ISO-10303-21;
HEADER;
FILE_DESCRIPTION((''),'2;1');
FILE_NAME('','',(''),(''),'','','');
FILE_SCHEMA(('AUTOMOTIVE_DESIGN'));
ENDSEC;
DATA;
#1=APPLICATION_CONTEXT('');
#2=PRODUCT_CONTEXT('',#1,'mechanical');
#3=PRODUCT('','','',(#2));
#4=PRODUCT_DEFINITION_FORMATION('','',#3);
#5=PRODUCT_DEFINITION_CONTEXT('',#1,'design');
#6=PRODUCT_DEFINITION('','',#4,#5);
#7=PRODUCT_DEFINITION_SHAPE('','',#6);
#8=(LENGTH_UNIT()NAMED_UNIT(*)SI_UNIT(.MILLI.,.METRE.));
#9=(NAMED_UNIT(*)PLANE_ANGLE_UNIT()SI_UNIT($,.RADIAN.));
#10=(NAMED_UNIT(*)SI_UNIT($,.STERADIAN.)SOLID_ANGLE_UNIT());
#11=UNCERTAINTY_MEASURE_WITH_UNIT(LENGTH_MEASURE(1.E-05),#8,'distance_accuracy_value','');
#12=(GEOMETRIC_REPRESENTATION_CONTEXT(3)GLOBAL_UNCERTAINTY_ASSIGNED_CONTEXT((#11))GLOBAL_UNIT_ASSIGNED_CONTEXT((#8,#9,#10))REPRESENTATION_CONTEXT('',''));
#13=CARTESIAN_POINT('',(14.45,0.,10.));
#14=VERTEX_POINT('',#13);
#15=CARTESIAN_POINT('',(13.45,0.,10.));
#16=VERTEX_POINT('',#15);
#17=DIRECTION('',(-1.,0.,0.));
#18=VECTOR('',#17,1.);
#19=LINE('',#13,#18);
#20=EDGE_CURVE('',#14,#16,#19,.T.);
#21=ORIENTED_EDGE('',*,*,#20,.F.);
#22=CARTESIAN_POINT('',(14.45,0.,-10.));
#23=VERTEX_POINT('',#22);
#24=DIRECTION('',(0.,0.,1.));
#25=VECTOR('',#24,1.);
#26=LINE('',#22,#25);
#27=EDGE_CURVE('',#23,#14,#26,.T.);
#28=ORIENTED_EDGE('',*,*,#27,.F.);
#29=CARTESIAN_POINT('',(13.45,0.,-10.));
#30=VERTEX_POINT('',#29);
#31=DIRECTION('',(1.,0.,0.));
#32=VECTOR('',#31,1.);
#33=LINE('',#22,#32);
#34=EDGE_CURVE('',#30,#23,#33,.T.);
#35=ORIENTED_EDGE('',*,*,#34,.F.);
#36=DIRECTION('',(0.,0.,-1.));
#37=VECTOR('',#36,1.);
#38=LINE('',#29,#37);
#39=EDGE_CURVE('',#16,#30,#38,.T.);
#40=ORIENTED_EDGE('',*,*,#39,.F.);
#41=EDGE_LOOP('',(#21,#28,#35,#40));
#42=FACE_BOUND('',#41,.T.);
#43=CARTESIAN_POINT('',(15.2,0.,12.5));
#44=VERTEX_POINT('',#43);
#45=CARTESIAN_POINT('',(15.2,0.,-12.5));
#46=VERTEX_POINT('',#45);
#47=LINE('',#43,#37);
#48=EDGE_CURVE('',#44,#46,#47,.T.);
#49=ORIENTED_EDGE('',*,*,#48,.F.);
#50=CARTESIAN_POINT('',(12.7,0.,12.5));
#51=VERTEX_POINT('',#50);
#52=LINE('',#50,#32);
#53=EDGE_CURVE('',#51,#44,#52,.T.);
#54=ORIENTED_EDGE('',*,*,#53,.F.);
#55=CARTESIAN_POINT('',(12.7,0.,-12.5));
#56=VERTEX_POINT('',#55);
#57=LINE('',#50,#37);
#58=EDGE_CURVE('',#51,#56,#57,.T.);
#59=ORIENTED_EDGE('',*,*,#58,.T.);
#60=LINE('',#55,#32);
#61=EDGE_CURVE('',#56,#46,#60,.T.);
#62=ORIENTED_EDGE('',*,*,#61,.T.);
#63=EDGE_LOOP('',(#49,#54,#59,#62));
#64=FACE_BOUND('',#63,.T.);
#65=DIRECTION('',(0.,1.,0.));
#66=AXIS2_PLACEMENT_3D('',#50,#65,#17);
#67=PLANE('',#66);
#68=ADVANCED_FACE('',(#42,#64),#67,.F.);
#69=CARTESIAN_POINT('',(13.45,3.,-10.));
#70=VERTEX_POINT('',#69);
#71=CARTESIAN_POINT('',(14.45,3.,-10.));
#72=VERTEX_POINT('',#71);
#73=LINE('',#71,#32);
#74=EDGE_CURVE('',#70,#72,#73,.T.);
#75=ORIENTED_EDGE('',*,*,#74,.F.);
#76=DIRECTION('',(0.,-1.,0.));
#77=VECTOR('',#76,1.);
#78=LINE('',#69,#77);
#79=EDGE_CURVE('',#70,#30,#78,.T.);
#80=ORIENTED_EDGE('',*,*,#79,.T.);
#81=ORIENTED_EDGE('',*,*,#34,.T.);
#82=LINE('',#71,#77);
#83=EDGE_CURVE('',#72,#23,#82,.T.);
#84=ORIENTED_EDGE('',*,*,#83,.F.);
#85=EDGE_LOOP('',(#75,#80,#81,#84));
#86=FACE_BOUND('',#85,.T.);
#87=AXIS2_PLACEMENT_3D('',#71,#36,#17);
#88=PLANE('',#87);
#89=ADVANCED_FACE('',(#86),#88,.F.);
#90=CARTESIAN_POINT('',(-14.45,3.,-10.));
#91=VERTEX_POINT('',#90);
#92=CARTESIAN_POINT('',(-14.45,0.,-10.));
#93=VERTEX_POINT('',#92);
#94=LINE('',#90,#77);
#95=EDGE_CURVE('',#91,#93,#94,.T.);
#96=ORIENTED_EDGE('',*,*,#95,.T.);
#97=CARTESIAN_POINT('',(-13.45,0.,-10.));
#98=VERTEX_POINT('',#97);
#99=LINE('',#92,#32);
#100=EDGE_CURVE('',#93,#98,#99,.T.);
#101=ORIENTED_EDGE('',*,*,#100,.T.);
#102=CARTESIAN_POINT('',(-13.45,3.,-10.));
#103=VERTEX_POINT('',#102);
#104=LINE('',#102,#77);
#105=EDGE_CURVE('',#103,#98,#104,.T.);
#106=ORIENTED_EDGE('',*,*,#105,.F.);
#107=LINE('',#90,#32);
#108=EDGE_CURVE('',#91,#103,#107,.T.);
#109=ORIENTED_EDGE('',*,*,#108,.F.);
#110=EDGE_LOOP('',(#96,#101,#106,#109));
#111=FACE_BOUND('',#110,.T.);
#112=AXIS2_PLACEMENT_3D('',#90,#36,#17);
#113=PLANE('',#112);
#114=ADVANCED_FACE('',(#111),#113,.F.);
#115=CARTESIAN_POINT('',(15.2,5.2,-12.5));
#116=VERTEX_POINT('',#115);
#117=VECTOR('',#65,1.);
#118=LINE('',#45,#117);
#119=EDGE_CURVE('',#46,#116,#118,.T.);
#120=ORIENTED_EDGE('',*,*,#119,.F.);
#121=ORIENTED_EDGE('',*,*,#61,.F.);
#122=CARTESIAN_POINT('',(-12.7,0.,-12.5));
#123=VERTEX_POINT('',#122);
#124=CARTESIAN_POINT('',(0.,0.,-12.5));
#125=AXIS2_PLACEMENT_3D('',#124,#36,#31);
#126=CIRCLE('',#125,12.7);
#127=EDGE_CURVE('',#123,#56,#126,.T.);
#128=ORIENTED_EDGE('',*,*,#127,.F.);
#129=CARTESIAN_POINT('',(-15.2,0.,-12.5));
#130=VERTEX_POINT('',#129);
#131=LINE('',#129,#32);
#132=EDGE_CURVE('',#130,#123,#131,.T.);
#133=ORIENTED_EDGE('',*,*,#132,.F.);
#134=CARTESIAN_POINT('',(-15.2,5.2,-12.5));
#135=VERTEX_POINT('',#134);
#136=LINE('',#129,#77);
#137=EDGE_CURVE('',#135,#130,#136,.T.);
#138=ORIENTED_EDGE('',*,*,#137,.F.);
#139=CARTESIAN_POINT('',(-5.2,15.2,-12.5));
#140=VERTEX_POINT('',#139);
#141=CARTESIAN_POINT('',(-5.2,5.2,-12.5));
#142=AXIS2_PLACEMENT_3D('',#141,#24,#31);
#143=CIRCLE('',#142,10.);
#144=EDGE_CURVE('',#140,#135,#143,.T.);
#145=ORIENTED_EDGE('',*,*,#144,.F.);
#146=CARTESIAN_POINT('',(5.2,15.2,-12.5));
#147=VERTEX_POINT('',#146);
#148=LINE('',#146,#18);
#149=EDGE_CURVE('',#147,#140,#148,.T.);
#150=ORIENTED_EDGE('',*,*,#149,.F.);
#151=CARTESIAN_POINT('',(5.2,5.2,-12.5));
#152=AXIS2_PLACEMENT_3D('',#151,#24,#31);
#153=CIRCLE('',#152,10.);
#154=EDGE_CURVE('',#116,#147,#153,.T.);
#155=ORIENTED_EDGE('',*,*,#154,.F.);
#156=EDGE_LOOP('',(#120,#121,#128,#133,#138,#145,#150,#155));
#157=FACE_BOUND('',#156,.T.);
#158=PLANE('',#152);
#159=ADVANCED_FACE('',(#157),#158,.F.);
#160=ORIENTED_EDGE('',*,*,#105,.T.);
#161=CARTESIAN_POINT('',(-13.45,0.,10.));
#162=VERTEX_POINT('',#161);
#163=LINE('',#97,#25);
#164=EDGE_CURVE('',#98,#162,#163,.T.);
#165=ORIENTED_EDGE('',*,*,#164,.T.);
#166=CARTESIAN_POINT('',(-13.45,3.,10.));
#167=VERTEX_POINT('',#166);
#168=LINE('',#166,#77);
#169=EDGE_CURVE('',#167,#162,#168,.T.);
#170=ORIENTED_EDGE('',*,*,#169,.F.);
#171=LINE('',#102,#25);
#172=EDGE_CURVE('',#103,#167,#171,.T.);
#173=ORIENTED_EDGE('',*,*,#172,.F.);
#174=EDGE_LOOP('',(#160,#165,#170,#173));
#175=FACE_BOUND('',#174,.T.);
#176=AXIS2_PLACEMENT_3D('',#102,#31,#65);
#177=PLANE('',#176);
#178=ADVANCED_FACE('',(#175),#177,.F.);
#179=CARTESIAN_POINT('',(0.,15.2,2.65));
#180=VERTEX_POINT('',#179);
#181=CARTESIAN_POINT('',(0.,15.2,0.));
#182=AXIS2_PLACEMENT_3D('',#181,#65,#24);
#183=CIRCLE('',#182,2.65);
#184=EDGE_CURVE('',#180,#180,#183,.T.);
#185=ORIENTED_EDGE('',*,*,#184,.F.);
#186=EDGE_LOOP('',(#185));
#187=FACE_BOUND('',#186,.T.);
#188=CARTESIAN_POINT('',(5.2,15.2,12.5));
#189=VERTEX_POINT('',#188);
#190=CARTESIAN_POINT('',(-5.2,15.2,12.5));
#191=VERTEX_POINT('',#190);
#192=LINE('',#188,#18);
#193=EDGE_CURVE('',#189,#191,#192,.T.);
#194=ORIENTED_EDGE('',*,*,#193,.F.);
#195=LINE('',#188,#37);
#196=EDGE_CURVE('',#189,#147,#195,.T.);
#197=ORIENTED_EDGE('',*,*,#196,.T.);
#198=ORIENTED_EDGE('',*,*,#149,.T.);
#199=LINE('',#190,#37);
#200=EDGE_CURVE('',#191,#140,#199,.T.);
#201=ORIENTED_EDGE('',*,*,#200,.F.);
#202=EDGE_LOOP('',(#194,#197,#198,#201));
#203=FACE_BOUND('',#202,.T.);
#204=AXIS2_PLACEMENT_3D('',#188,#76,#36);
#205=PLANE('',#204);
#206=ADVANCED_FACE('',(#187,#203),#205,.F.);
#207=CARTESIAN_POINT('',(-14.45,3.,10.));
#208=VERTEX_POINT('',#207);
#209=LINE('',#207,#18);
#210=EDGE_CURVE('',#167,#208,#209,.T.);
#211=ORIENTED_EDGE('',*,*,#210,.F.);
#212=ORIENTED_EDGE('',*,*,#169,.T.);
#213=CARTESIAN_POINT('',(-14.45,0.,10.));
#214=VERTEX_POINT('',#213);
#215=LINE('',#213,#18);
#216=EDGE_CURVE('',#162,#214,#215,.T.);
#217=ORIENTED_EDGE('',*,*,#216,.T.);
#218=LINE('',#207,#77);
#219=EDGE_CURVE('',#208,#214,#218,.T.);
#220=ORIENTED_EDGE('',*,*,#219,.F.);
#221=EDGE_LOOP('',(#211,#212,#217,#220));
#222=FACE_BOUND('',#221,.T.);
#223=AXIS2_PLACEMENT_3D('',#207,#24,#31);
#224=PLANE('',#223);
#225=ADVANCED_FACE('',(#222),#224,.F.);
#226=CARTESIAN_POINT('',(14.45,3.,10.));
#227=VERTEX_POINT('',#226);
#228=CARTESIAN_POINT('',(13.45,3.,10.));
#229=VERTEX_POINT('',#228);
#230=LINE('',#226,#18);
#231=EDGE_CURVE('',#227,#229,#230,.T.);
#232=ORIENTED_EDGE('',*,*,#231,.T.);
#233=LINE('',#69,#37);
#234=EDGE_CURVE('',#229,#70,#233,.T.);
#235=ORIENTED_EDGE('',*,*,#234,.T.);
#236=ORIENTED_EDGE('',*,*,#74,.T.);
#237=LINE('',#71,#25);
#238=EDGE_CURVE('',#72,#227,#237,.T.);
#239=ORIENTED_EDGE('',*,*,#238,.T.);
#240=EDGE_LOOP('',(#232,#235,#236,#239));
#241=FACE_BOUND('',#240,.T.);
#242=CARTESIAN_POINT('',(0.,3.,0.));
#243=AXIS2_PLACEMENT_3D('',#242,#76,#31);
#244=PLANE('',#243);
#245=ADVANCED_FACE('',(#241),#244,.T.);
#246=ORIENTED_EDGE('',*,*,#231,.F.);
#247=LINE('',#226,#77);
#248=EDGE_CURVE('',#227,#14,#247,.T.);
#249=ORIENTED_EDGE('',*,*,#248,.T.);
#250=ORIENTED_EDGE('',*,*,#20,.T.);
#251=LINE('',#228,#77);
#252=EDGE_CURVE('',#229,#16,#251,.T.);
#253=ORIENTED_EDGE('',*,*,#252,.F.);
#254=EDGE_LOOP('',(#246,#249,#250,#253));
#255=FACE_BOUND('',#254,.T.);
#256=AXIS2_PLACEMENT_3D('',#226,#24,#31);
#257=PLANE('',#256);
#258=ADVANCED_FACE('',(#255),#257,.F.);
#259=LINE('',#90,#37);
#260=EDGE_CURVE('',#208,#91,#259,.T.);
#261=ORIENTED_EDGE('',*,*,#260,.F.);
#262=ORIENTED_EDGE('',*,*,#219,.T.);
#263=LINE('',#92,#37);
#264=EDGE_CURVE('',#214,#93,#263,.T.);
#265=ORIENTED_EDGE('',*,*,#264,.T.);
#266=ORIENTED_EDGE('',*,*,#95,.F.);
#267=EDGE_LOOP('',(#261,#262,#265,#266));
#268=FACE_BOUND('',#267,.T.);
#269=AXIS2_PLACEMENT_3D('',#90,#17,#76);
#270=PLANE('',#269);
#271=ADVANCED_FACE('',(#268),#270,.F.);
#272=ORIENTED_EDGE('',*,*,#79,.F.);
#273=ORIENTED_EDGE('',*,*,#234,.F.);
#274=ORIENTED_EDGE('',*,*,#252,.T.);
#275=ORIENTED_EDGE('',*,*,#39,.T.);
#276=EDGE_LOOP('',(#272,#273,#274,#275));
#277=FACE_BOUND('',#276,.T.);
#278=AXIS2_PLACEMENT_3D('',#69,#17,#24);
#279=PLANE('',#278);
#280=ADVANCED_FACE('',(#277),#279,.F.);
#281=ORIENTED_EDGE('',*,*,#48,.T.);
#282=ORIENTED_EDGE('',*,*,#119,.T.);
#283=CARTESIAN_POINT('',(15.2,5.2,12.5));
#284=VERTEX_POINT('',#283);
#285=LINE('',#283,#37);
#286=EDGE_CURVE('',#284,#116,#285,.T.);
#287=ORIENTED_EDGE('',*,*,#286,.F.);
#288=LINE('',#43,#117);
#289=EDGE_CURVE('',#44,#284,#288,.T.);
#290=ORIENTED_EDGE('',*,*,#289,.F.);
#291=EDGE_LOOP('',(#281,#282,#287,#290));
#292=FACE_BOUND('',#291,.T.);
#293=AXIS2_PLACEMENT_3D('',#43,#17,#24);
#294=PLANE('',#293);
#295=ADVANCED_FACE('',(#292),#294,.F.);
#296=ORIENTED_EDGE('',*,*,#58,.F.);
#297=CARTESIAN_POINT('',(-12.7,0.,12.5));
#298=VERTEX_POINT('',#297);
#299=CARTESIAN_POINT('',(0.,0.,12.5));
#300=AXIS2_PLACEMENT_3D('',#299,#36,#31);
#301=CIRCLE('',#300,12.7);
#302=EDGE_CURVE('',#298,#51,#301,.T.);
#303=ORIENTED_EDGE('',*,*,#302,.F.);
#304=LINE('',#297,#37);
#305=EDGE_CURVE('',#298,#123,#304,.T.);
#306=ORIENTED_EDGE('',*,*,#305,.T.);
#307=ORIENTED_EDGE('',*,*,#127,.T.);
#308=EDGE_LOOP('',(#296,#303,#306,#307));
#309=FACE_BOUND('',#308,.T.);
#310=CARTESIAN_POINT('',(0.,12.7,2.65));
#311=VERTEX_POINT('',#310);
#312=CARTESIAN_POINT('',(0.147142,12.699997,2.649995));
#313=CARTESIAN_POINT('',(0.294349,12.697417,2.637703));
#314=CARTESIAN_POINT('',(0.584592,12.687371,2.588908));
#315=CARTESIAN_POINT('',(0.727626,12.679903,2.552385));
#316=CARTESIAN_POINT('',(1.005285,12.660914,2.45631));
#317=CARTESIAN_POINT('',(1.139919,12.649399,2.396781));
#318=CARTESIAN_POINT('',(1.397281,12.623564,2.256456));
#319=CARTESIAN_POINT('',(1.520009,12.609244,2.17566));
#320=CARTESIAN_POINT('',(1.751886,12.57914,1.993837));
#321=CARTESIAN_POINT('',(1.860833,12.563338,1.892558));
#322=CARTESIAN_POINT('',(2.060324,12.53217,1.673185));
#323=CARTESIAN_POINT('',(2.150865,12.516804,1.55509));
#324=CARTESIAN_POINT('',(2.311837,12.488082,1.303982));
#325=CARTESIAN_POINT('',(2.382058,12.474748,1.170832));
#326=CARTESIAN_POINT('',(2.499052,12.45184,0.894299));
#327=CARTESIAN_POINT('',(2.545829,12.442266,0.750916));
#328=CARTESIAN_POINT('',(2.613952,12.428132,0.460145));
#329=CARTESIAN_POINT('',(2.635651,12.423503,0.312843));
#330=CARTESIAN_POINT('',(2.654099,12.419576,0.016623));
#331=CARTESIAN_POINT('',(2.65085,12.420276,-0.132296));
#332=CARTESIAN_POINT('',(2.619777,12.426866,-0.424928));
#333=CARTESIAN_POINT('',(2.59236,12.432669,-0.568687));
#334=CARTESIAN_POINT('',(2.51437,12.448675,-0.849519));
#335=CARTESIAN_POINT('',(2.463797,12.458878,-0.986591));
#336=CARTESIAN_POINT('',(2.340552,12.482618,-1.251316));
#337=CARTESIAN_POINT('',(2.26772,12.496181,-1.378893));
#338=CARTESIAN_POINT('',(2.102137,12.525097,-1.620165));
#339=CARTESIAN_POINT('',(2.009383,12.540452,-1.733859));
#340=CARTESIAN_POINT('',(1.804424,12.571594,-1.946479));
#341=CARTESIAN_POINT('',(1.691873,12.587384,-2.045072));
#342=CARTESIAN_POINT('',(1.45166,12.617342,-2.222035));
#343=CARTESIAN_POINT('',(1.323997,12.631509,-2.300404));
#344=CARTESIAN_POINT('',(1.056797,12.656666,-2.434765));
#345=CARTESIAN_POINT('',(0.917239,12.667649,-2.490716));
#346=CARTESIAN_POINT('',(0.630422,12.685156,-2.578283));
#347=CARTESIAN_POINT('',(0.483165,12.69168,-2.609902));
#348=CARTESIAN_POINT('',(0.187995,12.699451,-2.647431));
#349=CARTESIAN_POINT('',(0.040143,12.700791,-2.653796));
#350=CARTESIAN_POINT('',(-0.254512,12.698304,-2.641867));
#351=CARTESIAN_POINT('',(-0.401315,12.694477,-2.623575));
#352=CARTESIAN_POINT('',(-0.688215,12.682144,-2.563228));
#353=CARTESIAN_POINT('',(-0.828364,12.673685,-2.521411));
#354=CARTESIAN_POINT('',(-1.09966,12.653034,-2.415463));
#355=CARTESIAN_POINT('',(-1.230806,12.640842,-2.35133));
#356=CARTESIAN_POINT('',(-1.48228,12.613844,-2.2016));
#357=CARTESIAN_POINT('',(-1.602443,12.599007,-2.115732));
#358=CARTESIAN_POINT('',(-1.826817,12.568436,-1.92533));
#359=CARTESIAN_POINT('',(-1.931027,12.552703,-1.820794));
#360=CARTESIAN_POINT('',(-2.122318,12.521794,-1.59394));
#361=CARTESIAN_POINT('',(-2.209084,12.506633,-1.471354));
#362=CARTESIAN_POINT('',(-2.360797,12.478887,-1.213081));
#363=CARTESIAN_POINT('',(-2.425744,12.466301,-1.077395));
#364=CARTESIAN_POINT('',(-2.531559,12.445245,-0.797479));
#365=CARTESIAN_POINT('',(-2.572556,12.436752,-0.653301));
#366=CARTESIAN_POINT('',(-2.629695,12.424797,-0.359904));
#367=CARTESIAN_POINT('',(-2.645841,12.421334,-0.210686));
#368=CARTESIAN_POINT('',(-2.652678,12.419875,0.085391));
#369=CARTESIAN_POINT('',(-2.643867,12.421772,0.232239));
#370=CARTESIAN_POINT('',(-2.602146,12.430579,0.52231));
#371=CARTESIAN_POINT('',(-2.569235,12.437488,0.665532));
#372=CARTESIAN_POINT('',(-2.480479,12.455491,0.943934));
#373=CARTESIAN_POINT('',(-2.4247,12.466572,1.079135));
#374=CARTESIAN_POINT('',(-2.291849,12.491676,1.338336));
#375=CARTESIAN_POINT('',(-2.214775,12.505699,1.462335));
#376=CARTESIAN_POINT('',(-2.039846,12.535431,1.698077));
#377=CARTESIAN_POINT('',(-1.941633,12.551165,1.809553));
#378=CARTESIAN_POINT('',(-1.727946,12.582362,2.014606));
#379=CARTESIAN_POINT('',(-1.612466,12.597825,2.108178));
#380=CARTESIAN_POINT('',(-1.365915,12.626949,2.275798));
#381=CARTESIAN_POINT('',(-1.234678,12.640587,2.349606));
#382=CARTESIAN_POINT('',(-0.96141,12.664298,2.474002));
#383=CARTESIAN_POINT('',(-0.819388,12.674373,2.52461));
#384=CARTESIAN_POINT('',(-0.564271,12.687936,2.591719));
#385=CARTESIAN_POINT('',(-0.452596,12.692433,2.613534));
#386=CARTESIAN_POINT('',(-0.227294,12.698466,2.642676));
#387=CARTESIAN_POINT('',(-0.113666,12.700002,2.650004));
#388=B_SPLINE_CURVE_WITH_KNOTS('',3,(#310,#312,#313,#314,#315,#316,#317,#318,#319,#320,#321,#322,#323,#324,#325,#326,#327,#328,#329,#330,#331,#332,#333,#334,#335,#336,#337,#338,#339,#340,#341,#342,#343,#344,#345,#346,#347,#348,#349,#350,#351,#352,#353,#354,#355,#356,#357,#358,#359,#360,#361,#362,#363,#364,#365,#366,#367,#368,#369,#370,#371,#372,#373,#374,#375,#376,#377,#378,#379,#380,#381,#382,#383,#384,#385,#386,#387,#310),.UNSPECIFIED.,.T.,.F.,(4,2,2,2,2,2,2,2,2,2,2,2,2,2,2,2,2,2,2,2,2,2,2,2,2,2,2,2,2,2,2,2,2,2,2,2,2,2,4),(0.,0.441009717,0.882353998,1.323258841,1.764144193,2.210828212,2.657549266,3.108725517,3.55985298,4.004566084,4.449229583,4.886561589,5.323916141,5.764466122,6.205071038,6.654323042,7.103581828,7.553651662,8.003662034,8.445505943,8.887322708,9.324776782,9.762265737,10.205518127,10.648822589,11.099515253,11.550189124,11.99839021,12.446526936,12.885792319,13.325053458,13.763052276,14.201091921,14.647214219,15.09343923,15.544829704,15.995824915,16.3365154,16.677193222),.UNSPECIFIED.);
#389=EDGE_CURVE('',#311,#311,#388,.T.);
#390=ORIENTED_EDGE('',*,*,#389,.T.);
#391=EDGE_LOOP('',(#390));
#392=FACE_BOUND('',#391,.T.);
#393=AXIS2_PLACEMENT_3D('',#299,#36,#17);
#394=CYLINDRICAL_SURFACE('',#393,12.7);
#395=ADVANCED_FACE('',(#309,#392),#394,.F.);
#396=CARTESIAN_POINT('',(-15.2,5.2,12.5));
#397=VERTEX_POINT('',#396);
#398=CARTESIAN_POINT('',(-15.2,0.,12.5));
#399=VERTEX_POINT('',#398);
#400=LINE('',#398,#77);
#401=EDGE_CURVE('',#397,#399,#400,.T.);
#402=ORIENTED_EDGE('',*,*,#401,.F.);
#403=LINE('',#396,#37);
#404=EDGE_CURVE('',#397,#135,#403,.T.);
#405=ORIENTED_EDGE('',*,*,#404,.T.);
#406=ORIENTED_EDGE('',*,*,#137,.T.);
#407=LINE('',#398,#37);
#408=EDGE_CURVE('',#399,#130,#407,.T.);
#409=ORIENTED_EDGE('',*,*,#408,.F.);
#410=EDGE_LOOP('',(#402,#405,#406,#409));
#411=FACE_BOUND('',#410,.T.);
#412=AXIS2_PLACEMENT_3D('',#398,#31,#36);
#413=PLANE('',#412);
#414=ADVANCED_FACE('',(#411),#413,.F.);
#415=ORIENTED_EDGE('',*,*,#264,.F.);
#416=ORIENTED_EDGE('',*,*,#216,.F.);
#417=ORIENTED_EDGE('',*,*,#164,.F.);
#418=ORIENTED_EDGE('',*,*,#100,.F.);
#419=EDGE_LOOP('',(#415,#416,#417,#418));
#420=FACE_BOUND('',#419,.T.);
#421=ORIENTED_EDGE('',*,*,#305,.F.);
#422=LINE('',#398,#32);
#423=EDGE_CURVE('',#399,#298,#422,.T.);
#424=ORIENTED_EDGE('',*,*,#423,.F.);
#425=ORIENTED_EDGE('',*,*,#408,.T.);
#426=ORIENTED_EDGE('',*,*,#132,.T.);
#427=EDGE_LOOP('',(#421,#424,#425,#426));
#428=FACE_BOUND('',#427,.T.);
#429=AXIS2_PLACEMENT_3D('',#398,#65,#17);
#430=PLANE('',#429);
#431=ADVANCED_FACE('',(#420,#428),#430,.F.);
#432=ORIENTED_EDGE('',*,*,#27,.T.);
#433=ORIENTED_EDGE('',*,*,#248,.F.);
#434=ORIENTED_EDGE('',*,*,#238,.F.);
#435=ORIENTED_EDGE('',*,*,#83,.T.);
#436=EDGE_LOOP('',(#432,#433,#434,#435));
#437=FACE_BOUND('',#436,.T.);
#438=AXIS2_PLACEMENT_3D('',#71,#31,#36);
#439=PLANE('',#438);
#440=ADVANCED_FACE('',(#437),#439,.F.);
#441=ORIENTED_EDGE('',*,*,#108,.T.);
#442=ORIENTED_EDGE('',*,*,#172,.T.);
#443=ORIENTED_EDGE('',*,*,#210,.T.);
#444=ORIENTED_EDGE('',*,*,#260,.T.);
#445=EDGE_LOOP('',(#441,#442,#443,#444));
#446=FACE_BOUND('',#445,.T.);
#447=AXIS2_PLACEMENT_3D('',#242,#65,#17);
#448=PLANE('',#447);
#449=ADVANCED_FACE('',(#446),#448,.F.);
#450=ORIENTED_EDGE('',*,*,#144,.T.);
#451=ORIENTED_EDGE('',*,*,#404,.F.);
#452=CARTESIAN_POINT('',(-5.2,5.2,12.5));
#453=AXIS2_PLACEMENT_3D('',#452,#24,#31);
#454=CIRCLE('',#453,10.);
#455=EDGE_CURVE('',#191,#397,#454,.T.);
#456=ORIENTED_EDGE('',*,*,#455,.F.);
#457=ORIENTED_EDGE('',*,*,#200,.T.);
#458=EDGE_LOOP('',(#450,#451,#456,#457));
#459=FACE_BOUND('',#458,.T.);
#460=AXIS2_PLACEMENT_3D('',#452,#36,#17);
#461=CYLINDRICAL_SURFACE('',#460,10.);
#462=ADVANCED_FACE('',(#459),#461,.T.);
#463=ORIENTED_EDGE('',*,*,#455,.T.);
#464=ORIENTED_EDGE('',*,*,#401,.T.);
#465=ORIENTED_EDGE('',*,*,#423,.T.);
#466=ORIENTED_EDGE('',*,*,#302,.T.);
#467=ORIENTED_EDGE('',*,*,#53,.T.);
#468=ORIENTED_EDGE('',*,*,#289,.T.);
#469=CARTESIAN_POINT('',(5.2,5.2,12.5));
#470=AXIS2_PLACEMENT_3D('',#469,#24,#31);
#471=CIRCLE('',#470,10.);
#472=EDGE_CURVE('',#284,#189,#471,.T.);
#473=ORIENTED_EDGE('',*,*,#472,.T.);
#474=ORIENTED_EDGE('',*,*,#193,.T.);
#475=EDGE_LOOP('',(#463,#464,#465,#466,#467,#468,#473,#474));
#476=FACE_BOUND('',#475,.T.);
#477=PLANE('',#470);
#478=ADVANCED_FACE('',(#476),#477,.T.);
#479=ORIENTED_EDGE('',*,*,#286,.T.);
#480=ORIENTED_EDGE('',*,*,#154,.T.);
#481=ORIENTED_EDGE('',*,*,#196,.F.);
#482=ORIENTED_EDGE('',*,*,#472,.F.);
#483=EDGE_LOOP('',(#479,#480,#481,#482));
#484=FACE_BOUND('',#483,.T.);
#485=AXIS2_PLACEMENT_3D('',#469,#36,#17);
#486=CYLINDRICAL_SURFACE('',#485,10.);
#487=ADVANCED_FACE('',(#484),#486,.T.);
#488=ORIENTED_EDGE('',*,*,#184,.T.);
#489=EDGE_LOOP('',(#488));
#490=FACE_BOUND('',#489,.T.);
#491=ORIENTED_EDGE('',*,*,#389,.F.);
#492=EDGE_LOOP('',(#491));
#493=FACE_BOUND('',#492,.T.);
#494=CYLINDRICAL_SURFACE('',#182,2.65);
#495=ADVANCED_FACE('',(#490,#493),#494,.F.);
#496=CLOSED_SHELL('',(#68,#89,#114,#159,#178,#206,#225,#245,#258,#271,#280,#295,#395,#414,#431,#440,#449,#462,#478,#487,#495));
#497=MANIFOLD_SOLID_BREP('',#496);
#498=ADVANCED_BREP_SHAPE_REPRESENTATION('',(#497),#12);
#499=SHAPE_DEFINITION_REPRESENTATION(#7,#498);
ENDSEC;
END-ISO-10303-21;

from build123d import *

# Parameters (mm, degrees)
BOSS_EXTRUDE1_DEPTH  = 12.5
M5_CLEARANCE_HOLE1_D = 5.3
SKETCH4_W            = 1
SKETCH4_H            = 20
CUT_EXTRUDE1_DEPTH   = 3


with BuildPart() as part:
    # Sketch1 → Boss-Extrude1 (new body, symmetric)
    with BuildSketch(Plane.XY):
        with BuildLine():
            Line((-15.2, 0), (-12.7, 0))
            ThreePointArc((-12.7, 0), (0, 12.7), (12.7, 0))
            Line((12.7, 0), (15.2, 0))
            Line((15.2, 0), (15.2, 5.2))
            ThreePointArc((15.2, 5.2), (12.271067812, 12.271067812), (5.2, 15.2))
            Line((5.2, 15.2), (-5.2, 15.2))
            ThreePointArc((-5.2, 15.2), (-12.271067812, 12.271067812), (-15.2, 5.2))
            Line((-15.2, 5.2), (-15.2, 0))
        make_face()
    extrude(amount=BOSS_EXTRUDE1_DEPTH, both=True)

    # M5 Clearance Hole1 (through all)
    with Locations(Plane(origin=(0, 15.2, 0), x_dir=(1, 0, 0), z_dir=(0, 1, 0))):
        with Locations((0, 0)):
            Hole(M5_CLEARANCE_HOLE1_D / 2)

    # Sketch4 → Cut-Extrude1 (cut)
    with BuildSketch(Plane.XZ):
        with Locations((-13.95, 0)):
            Rectangle(SKETCH4_W, SKETCH4_H)
        with Locations((13.95, 0)):
            Rectangle(SKETCH4_W, SKETCH4_H)
    extrude(amount=-CUT_EXTRUDE1_DEPTH, mode=Mode.SUBTRACT)


solid = part.part
